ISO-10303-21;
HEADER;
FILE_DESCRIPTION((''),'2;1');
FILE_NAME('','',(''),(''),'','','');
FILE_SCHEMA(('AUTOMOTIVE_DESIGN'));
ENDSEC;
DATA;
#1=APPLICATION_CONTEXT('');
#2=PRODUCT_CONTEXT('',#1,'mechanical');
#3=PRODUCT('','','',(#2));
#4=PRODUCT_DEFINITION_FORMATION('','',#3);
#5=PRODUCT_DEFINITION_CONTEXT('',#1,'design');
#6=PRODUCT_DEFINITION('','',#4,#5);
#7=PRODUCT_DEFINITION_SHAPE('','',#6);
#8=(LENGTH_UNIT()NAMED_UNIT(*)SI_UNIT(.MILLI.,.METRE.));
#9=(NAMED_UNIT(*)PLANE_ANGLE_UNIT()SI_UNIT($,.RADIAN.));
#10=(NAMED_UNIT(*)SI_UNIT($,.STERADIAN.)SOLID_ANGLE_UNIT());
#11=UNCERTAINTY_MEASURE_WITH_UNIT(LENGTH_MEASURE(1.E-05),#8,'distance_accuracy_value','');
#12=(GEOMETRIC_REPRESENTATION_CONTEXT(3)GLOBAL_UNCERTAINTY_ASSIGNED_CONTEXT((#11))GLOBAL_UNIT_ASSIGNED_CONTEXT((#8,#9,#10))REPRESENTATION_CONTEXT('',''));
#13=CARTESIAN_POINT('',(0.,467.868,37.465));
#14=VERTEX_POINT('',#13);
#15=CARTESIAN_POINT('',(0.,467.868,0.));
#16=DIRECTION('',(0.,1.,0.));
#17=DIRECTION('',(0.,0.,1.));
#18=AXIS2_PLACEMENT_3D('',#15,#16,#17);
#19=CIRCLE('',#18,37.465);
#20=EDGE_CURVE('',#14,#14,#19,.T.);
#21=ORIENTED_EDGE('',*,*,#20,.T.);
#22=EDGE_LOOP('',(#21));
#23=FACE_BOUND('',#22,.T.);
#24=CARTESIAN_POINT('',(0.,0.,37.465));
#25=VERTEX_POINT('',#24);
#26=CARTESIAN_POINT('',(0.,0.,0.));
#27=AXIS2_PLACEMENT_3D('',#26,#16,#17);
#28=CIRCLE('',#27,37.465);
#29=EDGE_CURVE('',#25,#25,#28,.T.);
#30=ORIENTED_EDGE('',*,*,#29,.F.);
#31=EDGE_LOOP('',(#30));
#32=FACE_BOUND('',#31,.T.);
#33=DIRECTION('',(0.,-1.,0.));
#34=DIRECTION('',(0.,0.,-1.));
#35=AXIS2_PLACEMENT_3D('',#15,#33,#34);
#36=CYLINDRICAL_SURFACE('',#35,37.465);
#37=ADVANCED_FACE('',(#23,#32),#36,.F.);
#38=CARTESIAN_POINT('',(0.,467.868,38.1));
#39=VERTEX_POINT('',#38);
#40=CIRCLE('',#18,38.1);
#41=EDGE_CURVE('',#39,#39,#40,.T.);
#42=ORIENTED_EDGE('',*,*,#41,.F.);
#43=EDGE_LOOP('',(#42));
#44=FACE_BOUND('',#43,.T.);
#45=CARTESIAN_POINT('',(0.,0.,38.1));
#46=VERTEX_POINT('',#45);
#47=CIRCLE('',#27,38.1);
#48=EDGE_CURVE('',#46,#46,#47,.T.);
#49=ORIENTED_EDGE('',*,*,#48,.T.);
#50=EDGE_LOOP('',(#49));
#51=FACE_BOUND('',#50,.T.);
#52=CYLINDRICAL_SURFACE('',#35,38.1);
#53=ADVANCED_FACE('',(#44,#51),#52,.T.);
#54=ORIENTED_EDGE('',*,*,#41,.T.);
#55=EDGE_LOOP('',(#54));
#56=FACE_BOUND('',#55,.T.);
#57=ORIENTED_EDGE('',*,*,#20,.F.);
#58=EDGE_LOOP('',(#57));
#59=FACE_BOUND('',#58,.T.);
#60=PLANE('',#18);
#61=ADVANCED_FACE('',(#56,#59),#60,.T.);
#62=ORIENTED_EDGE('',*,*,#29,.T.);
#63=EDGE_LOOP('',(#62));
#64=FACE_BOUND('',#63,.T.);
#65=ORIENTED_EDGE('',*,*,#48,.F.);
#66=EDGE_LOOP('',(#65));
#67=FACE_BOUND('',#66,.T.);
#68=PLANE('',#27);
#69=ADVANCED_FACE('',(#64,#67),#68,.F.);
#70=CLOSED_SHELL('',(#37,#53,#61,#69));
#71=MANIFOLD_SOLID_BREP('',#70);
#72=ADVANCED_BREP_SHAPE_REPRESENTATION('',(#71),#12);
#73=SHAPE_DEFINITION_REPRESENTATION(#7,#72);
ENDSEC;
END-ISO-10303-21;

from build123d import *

# Parameters (mm, degrees)
SKETCH1_R           = 38.1
SKETCH1_R_2         = 37.465
BOSS_EXTRUDE1_DEPTH = 467.868


with BuildPart() as part:
    # Sketch1 → Boss-Extrude1 (new body)
    with BuildSketch(Plane(origin=(0, 0, 0), x_dir=(1, 0, 0), z_dir=(0, 1, 0))):
        Circle(SKETCH1_R)
        Circle(SKETCH1_R_2, mode=Mode.SUBTRACT)
    extrude(amount=BOSS_EXTRUDE1_DEPTH)


solid = part.part
